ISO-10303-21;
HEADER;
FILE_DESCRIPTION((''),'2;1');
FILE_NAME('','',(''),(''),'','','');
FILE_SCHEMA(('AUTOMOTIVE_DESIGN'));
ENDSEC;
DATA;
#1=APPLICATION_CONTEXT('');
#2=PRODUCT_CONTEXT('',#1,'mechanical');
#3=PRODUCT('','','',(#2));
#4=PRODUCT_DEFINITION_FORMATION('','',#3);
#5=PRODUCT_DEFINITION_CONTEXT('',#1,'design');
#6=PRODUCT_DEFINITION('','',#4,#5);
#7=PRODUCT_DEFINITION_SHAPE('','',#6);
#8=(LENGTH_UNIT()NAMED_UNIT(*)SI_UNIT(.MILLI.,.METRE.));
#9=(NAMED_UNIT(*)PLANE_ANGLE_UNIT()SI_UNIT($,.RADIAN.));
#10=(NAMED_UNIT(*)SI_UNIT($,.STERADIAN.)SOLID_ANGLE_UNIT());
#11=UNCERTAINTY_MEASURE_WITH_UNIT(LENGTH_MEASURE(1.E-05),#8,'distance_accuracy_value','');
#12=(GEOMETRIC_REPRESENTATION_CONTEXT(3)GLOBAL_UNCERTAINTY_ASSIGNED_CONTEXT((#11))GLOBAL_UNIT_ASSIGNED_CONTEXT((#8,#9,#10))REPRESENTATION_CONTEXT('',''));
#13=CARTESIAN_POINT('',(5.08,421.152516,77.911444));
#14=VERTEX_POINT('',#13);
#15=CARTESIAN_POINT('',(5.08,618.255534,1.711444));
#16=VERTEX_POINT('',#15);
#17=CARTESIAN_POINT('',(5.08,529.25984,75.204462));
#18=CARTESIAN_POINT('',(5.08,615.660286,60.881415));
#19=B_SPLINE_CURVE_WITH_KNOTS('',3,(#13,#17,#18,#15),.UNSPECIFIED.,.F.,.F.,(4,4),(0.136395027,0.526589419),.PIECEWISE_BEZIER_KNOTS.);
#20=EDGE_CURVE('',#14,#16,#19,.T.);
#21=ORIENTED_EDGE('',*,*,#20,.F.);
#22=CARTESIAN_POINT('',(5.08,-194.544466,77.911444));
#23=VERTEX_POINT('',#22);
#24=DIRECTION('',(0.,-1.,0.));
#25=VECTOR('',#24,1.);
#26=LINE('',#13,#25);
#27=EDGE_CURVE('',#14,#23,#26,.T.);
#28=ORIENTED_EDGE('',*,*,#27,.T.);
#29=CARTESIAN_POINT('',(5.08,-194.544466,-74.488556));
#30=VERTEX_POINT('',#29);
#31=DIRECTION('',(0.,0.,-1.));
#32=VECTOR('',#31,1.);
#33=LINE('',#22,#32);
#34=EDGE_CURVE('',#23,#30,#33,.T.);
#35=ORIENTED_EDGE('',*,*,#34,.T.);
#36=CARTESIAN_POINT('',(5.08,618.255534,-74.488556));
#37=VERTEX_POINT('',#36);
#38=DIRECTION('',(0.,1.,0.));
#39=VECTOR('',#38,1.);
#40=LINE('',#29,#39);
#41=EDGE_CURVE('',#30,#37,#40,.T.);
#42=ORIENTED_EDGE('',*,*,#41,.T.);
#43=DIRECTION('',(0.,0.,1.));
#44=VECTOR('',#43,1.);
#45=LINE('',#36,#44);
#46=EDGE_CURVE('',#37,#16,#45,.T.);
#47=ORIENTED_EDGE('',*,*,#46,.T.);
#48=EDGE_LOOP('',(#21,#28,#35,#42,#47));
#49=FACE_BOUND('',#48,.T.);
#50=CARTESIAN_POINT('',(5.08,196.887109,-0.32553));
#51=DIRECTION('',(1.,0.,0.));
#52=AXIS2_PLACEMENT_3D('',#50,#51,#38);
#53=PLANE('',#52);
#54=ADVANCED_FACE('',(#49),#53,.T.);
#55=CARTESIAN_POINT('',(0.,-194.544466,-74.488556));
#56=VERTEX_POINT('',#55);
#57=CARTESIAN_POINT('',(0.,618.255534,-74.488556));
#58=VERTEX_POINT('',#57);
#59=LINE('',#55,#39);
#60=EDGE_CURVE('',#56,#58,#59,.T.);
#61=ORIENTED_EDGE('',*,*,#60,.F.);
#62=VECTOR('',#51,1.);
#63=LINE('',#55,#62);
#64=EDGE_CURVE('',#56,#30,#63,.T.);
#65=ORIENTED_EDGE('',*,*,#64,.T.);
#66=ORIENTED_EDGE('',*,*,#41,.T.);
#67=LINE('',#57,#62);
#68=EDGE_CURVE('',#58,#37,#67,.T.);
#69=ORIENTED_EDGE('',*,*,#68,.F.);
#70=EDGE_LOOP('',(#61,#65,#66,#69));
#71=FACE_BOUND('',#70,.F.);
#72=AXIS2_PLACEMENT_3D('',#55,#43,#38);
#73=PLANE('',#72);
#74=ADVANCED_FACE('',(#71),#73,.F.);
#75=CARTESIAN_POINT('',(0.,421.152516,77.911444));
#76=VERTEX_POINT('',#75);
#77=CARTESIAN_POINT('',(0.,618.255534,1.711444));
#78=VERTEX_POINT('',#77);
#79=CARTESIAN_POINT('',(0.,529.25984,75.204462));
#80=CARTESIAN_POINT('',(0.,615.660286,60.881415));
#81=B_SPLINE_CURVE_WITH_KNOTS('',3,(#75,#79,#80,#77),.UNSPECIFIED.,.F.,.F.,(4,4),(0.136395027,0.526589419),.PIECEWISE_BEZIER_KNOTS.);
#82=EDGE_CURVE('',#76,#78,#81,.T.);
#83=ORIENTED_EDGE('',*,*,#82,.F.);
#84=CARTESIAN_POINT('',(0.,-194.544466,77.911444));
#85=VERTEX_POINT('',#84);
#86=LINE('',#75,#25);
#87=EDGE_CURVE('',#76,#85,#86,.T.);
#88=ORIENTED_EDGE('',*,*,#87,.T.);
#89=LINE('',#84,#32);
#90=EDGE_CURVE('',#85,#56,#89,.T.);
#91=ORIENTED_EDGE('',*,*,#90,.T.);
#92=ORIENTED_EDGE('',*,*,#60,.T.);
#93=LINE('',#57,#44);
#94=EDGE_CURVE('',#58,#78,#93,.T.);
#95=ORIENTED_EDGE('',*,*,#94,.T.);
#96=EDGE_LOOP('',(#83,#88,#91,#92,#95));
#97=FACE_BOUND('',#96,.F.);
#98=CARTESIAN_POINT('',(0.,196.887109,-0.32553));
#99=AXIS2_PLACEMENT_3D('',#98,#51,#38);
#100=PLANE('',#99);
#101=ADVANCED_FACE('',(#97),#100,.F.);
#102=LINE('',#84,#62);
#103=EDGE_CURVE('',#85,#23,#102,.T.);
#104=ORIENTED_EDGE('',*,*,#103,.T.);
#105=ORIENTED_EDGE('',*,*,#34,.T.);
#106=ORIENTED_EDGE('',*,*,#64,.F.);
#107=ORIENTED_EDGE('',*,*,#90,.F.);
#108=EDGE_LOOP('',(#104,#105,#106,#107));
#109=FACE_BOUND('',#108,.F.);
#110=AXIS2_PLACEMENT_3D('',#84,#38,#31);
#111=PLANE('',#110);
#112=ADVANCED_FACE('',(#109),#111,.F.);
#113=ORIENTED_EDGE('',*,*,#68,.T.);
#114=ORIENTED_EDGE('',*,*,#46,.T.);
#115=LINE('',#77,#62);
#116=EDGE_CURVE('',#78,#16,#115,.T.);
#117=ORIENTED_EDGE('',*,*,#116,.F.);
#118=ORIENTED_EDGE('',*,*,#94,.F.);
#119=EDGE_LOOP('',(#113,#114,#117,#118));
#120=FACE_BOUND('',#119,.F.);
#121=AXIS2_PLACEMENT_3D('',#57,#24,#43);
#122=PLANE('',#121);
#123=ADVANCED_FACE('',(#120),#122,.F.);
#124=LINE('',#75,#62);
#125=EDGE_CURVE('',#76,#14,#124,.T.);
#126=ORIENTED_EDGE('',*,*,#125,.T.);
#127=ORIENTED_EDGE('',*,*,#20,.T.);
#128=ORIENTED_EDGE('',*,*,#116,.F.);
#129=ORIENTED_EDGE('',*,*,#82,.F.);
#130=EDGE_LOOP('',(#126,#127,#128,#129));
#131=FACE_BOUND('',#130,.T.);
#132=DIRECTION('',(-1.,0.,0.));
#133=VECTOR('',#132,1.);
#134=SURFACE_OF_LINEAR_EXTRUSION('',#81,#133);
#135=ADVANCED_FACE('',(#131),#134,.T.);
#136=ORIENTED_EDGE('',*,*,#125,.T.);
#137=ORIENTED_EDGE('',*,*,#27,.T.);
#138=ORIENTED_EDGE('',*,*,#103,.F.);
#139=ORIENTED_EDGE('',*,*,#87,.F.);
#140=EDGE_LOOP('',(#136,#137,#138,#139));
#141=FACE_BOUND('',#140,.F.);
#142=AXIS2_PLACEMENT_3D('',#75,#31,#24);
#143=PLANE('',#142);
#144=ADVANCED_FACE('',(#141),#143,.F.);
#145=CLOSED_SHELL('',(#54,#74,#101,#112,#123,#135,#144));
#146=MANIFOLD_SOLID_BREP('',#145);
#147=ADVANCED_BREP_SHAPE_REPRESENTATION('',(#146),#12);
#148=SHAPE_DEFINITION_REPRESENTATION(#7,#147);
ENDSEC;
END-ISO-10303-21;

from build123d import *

# Parameters (mm, degrees)
F1_DEPTH = 5.08


with BuildPart() as f1:
    # F0 (on Right) → F1 (new body)
    with BuildSketch(Plane.YZ):
        with BuildLine():
            Line((302.4789094925, 77.9114439979), (-194.5444664261, 77.9114439979))
            Line((-194.5444664261, 77.9114439979), (-194.5444664261, -74.4885560021))
            Line((-194.5444664261, -74.4885560021), (594.97461549, -74.4885560021))
            add(Edge.make_bspline(
                [(618.2555335739, -4.026341474), (617.4012379029, -24.8084723588), (607.6495818813, -50.133957852), (594.97461549, -74.4885560021)],
                knots=[0.538916857, 0.538916857, 0.538916857, 0.538916857, 0.6700074403, 0.6700074403, 0.6700074403, 0.6700074403], degree=3))
            Line((618.2555335739, -4.026341474), (618.2555335739, 1.7114439979))
            add(Edge.make_bspline(
                [(421.1525156221, 77.9114439979), (529.2598396209, 75.2044623304), (615.6602856832, 60.8814148969), (618.2555335739, 1.7114439979)],
                knots=[0.1363950266, 0.1363950266, 0.1363950266, 0.1363950266, 0.5265894187, 0.5265894187, 0.5265894187, 0.5265894187], degree=3))
            Line((421.1525156221, 77.9114439979), (302.4789094925, 77.9114439979))
        make_face()
        with BuildLine():
            add(Edge.make_bspline(
                [(618.2555335739, -4.026341474), (617.4012379029, -24.8084723588), (607.6495818813, -50.133957852), (594.97461549, -74.4885560021)],
                knots=[0.538916857, 0.538916857, 0.538916857, 0.538916857, 0.6700074403, 0.6700074403, 0.6700074403, 0.6700074403], degree=3))
            Line((594.97461549, -74.4885560021), (618.2555335739, -74.4885560021))
            Line((618.2555335739, -74.4885560021), (618.2555335739, -4.026341474))
        make_face()
    extrude(amount=F1_DEPTH)


solid = f1.part
